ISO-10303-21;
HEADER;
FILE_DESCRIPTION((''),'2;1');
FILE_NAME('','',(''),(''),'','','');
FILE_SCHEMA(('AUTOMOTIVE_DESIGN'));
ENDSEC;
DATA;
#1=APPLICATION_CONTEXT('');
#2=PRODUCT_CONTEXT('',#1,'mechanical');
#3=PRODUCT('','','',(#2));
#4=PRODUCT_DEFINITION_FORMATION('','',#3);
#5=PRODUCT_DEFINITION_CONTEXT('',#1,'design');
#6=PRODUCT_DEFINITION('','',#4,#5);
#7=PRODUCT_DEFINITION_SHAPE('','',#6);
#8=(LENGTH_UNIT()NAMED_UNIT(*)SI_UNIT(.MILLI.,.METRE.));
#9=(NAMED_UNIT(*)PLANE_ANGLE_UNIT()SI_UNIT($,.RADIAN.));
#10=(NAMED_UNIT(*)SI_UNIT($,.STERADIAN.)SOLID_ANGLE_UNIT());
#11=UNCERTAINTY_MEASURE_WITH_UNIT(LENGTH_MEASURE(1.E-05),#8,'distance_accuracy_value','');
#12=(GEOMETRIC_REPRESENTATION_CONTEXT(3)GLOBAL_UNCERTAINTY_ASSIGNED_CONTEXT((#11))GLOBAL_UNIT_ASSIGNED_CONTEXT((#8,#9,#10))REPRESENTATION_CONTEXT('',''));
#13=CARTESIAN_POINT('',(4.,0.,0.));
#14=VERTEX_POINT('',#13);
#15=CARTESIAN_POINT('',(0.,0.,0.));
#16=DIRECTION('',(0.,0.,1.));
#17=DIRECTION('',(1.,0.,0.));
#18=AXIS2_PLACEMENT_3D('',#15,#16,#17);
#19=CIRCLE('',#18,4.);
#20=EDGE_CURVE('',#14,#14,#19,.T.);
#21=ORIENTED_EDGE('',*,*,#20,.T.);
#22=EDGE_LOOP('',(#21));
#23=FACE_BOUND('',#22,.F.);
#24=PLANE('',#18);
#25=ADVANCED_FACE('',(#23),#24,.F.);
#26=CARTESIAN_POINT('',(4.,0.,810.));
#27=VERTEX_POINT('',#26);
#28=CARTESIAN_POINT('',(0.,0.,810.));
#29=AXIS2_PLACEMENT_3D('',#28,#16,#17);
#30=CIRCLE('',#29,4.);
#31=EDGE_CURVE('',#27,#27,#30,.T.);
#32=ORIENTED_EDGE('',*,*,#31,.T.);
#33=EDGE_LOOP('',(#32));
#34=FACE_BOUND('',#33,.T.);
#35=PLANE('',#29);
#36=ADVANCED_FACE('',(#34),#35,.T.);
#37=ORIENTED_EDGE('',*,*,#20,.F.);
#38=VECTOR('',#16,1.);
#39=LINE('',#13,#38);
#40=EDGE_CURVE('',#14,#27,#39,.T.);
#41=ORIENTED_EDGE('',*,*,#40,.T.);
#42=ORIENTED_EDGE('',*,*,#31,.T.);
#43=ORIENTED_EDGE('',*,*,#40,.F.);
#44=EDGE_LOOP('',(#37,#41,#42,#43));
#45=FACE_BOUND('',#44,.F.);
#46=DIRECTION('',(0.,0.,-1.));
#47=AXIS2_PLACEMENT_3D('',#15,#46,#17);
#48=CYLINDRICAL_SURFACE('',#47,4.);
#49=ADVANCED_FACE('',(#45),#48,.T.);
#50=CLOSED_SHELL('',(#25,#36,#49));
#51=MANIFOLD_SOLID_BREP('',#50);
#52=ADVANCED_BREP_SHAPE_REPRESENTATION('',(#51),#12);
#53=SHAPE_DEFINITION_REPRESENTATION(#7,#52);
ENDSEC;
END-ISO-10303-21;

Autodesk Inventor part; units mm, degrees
ref_plane "YZ Plane" through (0, 0, 0) normal (1, 0, 0) x (0, 1, 0)
ref_plane "XZ Plane" through (0, 0, 0) normal (0, 1, 0) x (-1, 0, 0)
ref_plane "XY Plane" through (0, 0, 0) normal (0, 0, 1) x (1, 0, 0)
sketch "Esboço1" plane through (0, 0, 0) normal (0, 0, 1) x (1, 0, 0)
  circle A0 centre (0, 0) radius 4
  dimension "d0" = 8
extrude "Extrusão1" add sketch "Esboço1" along normal blind 810
thread "Rosca1" size "TR8x1.5" class "7e" standard "ISO Metric Trapezoidal Threads" full length
properties part number "FusoTrapezoidal_8mmx800mm"
